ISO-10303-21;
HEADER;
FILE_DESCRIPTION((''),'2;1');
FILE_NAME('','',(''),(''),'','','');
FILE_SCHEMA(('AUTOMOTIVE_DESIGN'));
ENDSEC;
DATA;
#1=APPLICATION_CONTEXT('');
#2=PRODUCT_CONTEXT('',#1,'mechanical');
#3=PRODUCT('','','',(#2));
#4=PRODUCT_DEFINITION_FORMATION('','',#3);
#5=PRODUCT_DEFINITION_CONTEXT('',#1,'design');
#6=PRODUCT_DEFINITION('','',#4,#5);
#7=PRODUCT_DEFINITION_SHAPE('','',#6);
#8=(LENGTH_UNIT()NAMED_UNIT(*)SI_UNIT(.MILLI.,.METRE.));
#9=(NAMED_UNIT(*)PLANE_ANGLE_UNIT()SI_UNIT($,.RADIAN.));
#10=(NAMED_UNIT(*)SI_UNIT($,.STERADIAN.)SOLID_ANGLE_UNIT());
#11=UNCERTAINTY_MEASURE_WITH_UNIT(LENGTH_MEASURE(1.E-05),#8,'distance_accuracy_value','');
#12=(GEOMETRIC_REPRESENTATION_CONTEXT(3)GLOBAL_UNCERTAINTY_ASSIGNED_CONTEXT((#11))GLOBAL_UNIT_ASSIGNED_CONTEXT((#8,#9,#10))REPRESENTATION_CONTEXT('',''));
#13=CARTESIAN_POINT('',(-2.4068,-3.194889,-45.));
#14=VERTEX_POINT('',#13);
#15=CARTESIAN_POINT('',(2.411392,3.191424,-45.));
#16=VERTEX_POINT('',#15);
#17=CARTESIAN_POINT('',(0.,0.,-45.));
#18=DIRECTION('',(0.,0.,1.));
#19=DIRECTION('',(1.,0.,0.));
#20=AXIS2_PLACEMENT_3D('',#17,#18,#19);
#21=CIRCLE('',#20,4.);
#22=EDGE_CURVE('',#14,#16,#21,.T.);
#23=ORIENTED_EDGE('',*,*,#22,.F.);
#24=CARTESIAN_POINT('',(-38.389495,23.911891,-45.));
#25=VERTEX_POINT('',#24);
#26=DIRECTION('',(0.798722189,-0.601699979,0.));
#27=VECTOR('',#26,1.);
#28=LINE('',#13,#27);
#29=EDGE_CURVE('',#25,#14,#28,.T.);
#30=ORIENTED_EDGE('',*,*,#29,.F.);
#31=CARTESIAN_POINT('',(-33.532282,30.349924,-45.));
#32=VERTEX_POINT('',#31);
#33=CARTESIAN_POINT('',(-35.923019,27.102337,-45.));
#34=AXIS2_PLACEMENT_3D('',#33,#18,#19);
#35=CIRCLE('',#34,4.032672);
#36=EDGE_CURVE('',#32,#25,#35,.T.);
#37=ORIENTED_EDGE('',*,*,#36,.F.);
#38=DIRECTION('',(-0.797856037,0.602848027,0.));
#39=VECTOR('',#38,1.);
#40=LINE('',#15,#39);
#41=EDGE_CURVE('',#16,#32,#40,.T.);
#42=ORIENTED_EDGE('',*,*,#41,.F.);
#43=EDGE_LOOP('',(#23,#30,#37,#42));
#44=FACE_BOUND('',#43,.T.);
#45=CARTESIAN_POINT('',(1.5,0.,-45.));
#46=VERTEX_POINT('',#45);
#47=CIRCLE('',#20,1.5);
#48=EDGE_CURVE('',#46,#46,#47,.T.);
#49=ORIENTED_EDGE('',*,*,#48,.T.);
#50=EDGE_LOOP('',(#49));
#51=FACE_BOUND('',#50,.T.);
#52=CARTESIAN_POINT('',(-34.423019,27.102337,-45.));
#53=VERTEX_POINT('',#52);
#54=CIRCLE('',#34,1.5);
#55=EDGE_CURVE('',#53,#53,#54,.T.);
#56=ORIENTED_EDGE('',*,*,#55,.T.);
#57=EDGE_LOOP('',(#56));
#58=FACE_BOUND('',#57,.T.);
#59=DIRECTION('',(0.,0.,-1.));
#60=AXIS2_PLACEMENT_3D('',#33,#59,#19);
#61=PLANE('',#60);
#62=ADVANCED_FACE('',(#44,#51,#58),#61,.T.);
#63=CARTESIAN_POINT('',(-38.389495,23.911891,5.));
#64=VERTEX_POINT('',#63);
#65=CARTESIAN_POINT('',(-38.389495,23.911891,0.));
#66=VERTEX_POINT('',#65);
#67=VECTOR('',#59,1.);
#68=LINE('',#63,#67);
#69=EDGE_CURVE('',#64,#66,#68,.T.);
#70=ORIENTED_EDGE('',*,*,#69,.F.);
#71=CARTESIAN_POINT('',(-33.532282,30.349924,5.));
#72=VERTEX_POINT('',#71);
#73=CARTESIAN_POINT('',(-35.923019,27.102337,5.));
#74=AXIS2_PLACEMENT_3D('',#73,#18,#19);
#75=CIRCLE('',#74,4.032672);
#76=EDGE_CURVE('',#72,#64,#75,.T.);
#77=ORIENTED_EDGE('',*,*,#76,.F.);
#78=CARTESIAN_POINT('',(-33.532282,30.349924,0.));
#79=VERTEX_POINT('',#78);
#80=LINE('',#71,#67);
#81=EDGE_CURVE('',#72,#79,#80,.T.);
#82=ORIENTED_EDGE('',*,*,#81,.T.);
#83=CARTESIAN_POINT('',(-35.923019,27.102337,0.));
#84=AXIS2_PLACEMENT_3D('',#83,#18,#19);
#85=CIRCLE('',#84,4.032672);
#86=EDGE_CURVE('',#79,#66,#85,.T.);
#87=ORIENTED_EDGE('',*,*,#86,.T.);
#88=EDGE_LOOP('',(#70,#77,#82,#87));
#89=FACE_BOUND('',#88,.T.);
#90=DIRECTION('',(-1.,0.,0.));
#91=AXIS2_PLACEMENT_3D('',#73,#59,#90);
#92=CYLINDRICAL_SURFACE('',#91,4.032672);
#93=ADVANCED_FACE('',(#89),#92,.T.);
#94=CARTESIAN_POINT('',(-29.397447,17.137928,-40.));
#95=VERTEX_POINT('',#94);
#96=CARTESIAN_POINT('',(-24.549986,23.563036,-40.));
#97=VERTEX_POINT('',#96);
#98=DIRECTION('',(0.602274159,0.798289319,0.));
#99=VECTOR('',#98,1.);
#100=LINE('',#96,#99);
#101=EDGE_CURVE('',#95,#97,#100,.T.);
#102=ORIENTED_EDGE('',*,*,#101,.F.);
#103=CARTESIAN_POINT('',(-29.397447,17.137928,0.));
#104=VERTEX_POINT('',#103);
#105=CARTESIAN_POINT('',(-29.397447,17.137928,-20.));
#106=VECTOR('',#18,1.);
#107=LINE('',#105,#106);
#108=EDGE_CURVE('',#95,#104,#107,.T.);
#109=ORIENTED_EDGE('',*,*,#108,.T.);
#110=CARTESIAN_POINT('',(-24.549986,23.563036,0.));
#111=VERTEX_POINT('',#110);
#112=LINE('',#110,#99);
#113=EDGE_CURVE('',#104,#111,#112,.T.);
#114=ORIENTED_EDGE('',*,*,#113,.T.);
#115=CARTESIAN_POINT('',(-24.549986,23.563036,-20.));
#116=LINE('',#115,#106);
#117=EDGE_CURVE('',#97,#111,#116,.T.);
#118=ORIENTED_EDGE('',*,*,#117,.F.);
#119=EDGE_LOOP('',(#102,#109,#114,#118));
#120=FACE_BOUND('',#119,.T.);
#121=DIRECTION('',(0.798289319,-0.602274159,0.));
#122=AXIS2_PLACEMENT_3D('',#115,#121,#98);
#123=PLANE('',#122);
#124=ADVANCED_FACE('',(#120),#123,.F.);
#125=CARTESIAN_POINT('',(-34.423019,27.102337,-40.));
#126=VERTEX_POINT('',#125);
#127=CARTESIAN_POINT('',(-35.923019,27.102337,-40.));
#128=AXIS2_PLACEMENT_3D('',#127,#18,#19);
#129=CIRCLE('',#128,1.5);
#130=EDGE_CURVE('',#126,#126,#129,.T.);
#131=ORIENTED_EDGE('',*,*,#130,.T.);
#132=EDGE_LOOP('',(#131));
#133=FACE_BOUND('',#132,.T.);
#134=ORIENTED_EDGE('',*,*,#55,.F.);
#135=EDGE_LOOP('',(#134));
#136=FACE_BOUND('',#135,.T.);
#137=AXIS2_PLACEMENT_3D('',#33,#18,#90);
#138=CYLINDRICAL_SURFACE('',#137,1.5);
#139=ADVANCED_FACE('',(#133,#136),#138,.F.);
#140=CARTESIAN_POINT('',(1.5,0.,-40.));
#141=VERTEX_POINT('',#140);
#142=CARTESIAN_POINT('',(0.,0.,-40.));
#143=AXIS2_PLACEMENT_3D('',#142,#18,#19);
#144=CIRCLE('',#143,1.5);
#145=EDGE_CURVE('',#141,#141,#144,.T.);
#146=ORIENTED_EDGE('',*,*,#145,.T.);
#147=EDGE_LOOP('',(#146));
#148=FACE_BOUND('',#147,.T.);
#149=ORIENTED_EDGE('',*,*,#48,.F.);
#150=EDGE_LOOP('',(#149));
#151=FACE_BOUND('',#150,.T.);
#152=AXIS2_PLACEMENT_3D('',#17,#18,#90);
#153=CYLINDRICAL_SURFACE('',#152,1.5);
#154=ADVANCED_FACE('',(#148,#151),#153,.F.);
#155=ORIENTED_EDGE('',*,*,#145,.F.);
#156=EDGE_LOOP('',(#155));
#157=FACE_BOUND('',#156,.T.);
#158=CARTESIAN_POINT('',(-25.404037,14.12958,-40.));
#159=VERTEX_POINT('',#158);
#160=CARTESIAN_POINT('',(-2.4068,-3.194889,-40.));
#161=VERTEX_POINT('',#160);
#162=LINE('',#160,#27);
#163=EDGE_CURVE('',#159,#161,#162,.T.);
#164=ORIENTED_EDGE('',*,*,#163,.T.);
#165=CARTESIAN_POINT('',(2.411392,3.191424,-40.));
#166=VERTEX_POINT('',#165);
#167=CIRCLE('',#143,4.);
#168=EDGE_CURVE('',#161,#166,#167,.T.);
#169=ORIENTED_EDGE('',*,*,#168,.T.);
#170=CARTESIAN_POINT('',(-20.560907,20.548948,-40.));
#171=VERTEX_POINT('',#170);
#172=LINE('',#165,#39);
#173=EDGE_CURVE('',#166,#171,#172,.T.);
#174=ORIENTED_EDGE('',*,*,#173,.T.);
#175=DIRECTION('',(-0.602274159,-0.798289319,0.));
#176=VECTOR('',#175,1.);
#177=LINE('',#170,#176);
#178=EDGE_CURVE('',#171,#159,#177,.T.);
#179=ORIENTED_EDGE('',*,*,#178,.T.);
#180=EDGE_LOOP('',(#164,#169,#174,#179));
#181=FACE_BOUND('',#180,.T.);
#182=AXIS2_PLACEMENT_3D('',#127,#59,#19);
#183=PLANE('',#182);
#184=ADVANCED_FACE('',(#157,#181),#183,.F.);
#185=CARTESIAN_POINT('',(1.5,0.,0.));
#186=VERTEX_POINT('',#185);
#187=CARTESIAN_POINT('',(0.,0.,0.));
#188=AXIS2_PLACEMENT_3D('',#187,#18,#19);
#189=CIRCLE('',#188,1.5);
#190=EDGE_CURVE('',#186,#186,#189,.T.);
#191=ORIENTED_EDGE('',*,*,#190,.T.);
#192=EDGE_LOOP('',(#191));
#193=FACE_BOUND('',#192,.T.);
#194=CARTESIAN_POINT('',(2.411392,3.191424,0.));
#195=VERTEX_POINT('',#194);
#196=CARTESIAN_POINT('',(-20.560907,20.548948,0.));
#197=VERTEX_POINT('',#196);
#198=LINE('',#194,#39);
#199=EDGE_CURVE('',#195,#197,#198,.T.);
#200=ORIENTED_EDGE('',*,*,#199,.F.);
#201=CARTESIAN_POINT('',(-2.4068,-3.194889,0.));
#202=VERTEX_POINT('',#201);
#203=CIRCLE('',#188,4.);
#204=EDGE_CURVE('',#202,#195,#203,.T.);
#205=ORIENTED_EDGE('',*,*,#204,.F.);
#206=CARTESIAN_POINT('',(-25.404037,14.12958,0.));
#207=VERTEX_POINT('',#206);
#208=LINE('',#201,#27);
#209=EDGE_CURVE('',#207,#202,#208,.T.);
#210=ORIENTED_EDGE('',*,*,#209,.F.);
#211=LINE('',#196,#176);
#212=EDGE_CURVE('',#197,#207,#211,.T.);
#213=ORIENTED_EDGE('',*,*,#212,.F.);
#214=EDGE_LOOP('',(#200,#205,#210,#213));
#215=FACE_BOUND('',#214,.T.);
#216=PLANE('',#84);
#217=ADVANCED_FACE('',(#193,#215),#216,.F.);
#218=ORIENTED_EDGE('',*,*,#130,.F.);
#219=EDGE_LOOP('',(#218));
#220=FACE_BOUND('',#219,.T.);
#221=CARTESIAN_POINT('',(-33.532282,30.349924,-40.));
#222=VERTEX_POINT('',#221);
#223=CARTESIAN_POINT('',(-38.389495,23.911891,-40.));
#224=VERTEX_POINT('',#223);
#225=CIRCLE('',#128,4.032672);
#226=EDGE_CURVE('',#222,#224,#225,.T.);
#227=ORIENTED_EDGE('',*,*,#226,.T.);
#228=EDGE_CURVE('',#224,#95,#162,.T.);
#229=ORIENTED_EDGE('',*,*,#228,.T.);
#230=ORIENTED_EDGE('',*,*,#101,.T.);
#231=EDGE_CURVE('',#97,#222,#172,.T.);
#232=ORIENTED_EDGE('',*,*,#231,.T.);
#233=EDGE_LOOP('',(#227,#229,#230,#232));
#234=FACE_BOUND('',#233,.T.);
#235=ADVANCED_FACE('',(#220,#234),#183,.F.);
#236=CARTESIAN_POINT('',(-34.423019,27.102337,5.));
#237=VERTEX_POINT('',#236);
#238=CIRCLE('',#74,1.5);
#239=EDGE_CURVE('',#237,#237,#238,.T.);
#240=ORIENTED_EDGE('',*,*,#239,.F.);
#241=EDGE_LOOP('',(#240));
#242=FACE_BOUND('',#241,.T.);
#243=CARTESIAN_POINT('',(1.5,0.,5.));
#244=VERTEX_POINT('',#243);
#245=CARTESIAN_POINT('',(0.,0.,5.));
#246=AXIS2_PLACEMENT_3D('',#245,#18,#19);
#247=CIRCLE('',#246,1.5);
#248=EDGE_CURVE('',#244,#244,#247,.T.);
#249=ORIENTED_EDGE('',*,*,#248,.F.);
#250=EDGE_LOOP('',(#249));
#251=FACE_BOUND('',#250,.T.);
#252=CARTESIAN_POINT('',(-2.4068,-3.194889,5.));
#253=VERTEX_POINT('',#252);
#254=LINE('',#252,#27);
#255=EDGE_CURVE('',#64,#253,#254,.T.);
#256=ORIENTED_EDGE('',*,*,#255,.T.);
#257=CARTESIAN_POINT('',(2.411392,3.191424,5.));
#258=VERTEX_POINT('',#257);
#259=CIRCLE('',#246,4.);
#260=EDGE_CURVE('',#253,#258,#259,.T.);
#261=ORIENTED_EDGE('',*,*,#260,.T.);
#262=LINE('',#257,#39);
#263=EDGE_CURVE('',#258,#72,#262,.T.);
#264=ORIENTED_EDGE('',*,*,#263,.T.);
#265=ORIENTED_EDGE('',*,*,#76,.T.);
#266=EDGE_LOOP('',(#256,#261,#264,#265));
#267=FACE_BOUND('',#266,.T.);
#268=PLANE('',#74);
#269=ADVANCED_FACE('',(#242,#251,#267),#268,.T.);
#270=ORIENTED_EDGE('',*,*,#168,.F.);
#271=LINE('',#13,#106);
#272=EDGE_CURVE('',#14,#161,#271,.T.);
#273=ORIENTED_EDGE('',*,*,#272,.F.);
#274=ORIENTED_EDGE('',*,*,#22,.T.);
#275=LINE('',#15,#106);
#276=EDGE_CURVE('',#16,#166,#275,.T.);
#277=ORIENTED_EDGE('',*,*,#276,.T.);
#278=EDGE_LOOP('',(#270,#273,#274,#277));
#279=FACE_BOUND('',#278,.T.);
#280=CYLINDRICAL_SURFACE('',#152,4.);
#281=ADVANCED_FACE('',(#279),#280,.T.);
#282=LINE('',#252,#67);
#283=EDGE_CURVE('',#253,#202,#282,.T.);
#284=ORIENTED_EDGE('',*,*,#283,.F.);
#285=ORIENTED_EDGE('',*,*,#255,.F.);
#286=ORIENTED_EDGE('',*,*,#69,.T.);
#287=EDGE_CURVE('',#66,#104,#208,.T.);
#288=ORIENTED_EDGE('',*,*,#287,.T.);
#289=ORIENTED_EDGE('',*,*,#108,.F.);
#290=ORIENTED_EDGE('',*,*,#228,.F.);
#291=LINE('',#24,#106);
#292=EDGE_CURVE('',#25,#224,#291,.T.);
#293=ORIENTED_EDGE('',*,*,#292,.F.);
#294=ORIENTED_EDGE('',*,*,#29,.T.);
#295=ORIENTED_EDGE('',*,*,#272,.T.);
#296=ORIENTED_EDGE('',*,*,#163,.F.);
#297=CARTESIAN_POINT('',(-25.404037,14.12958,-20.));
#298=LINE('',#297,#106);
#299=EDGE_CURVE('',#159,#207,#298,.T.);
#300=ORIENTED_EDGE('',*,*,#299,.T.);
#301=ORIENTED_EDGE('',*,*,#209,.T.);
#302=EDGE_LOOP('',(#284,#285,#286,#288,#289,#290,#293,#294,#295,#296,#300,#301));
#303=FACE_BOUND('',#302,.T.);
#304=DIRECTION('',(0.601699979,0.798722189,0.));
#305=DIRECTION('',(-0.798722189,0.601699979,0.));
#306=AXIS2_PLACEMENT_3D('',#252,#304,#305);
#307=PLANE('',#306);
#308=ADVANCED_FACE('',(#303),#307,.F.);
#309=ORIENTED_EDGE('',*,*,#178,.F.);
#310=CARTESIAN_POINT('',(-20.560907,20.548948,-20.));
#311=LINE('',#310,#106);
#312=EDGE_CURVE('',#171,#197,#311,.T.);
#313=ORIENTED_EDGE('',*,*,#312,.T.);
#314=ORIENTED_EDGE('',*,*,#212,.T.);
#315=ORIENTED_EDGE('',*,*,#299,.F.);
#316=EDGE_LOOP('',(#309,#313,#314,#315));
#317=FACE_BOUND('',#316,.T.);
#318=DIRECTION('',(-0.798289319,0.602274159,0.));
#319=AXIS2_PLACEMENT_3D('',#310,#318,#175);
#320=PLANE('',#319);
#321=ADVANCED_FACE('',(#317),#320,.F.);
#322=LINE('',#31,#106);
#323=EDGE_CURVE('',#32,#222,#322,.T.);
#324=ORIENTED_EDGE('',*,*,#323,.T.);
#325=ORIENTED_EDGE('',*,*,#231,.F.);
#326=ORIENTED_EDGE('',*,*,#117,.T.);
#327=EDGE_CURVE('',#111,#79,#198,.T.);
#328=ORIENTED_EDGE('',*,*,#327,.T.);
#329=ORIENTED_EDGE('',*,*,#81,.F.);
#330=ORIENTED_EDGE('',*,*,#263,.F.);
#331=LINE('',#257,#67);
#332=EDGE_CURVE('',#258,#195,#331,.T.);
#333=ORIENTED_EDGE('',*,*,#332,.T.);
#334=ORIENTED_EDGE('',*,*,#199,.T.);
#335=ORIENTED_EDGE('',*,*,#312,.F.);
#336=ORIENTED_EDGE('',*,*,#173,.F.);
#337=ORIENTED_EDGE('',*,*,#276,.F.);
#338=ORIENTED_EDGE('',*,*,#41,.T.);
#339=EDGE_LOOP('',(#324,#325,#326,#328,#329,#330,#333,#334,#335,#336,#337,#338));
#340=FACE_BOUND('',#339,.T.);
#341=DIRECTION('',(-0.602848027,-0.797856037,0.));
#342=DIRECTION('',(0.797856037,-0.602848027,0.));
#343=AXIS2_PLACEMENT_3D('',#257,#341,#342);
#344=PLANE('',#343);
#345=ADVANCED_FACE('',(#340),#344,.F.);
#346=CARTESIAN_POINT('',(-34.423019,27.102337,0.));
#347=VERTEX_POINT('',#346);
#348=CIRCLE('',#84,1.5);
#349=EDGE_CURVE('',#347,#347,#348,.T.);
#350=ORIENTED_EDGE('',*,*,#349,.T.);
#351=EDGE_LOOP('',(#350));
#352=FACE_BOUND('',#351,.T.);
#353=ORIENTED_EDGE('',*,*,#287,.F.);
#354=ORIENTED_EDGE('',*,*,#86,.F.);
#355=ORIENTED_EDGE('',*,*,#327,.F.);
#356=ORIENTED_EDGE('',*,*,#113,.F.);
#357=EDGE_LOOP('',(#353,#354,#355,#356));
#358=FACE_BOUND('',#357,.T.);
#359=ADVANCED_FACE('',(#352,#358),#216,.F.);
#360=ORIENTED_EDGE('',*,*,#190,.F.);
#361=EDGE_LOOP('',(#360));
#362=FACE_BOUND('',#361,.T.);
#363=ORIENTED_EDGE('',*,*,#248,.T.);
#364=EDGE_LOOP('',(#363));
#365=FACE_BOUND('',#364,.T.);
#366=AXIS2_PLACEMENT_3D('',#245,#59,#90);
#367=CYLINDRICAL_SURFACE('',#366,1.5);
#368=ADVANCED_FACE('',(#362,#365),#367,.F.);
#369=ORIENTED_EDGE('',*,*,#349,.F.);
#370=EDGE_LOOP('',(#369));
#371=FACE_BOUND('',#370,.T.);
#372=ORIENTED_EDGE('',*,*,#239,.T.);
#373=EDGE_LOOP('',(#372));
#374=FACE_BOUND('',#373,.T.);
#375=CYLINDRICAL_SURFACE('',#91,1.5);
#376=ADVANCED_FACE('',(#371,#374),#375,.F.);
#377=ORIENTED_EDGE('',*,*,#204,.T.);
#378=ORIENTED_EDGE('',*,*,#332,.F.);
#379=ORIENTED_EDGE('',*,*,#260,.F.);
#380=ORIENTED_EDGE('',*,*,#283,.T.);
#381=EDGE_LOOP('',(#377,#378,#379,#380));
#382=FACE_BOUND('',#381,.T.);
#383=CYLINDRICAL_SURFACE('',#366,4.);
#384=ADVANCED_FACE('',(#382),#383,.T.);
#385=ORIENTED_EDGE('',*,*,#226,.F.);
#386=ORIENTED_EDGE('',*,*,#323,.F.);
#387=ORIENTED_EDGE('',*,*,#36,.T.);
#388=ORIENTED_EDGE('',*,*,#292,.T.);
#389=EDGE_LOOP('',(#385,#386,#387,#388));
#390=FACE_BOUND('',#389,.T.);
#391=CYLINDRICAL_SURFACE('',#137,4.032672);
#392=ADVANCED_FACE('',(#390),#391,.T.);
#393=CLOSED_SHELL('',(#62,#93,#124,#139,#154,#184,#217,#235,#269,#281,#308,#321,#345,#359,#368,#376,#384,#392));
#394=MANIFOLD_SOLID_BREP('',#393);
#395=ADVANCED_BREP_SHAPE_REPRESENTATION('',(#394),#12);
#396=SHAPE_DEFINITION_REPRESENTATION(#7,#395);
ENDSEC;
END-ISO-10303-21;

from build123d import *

# Parameters (mm, degrees)
ESQUISSE1_R        = 1.5
BOSS_EXTRU_1_DEPTH = 5
BOSS_EXTRU_2_DEPTH = 20


with BuildPart() as part:
    # Esquisse1 → Boss.-Extru.1 (new body)
    with BuildSketch(Plane.XY):
        with BuildLine():
            Line((2.411392109, 3.191424149), (-33.53228234, 30.349924212))
            ThreePointArc((-33.53228234, 30.349924212), (-39.142258528, 29.531111427), (-38.389494778, 23.911891379))
            Line((-38.389494778, 23.911891379), (-2.406799918, -3.194888755))
            ThreePointArc((-2.406799918, -3.194888755), (3.193157277, -2.409096636), (2.411392109, 3.191424149))
        make_face()
        with Locations((-35.923019369, 27.102337158)):
            Circle(ESQUISSE1_R, mode=Mode.SUBTRACT)
        Circle(ESQUISSE1_R, mode=Mode.SUBTRACT)
    boss_extru_1 = extrude(amount=BOSS_EXTRU_1_DEPTH)

    # Esquisse2 → Boss.-Extru.2 (add)
    with BuildSketch(Plane(origin=(0, 0, 0), x_dir=(-1, 0, 0), z_dir=(0, 0, -1))):
        Polygon((20.560906603, 20.548947707), (25.40403733, 14.129579595), (29.397447291, 17.137928086), (24.549986024, 23.563036149), align=None)
    boss_extru_2 = extrude(amount=BOSS_EXTRU_2_DEPTH)

    # Symétrie1: Boss.-Extru.1, Boss.-Extru.2 across plane
    add(boss_extru_1.mirror(Plane.XY.offset(-20)))
    add(boss_extru_2.mirror(Plane.XY.offset(-20)))


solid = part.part
